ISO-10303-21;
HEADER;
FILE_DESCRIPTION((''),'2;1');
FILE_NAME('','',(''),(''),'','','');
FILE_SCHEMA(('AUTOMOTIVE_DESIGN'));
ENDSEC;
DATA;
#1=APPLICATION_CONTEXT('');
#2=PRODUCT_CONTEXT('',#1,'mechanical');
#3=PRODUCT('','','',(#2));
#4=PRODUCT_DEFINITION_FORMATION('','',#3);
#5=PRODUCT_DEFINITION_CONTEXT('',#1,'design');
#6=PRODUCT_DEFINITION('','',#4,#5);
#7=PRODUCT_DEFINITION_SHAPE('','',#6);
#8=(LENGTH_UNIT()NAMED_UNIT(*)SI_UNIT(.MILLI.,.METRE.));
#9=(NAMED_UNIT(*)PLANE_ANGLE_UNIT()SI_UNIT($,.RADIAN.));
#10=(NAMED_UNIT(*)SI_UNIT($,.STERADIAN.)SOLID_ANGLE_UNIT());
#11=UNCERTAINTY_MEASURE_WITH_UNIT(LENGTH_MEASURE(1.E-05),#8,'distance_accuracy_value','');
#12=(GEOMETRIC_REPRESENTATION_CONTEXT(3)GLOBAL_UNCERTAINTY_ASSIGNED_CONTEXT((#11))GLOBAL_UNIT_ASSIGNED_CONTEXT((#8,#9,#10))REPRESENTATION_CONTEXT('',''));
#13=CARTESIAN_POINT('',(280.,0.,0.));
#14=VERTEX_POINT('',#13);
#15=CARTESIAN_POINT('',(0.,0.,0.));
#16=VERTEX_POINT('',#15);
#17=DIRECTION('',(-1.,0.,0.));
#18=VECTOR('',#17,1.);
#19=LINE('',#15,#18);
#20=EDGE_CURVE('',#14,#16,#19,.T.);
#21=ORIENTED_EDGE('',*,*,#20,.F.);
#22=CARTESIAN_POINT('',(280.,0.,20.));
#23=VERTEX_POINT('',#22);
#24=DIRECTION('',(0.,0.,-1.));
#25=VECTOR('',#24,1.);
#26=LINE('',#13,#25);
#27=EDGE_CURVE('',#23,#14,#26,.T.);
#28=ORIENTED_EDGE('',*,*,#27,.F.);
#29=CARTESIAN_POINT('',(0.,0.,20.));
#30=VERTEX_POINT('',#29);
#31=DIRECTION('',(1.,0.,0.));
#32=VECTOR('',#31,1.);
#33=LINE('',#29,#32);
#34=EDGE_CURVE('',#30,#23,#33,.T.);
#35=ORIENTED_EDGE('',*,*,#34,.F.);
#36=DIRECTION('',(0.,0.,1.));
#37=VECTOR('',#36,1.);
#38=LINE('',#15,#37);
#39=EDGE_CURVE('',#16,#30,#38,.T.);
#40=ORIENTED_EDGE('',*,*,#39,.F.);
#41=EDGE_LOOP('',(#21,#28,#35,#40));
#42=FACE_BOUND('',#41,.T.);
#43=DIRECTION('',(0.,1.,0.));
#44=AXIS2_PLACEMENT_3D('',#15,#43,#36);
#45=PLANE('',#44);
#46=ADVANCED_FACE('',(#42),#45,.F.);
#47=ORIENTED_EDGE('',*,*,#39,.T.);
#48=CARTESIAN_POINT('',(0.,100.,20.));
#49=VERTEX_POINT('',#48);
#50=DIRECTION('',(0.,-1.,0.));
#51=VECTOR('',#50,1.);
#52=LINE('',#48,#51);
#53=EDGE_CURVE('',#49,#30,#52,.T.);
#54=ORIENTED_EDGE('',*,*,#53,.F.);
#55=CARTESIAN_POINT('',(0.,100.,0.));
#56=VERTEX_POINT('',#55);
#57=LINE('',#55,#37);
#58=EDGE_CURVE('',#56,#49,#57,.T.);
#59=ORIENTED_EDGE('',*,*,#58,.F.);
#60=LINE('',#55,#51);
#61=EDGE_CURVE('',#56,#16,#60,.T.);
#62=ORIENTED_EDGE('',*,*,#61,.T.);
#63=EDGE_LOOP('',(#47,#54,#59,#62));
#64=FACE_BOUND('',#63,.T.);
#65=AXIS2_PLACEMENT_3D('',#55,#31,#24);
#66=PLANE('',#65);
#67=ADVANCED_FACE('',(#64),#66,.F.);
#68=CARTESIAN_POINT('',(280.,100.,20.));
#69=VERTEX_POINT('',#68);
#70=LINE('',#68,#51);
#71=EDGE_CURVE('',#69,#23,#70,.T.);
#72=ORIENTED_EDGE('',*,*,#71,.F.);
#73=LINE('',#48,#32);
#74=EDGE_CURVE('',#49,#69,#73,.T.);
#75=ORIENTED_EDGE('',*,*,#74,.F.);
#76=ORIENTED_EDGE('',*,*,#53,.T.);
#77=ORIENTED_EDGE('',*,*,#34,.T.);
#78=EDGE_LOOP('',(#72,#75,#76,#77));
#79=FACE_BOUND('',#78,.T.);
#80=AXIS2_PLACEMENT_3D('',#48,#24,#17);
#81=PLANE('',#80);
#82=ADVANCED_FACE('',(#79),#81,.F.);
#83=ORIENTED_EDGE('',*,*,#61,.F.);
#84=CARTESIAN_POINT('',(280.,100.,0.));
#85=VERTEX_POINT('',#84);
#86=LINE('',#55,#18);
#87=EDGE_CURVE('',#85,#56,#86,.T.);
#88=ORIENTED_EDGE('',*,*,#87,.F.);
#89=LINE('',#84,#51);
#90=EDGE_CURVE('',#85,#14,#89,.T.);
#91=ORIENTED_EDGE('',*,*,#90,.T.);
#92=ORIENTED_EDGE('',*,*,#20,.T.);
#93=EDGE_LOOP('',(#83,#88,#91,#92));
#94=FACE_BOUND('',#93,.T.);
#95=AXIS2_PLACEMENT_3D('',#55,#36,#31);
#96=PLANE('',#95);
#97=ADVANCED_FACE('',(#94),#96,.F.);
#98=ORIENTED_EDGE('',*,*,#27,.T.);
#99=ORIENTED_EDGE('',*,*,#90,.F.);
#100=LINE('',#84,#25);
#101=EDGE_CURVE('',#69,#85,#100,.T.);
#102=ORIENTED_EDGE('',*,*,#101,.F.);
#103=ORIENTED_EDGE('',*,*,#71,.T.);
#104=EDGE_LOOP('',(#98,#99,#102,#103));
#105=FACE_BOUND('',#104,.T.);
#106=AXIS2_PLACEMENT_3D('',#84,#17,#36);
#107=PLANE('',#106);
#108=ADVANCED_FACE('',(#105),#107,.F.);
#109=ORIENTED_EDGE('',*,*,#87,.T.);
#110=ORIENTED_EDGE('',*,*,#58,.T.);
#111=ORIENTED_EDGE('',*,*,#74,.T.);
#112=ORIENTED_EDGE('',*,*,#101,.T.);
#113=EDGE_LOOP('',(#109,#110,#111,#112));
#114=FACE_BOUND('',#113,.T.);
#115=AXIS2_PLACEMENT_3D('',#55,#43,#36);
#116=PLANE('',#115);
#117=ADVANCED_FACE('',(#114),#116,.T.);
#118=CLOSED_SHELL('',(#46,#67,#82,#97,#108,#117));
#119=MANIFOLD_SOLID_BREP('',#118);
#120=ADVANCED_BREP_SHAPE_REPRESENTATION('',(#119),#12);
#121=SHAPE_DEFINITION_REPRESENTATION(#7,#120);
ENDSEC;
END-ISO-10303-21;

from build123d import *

# Parameters (mm, degrees)
SKETCH_1_W      = 280
SKETCH_1_H      = 20
EXTRUDE_1_DEPTH = 100


with BuildPart() as part:
    # 草图1 → 凸台-拉伸1 (new body)
    with BuildSketch(Plane(origin=(0, 0, 0), x_dir=(1, 0, 0), z_dir=(0, 1, 0))):
        with Locations((140, -10)):
            Rectangle(SKETCH_1_W, SKETCH_1_H)
    extrude(amount=EXTRUDE_1_DEPTH)


solid = part.part
